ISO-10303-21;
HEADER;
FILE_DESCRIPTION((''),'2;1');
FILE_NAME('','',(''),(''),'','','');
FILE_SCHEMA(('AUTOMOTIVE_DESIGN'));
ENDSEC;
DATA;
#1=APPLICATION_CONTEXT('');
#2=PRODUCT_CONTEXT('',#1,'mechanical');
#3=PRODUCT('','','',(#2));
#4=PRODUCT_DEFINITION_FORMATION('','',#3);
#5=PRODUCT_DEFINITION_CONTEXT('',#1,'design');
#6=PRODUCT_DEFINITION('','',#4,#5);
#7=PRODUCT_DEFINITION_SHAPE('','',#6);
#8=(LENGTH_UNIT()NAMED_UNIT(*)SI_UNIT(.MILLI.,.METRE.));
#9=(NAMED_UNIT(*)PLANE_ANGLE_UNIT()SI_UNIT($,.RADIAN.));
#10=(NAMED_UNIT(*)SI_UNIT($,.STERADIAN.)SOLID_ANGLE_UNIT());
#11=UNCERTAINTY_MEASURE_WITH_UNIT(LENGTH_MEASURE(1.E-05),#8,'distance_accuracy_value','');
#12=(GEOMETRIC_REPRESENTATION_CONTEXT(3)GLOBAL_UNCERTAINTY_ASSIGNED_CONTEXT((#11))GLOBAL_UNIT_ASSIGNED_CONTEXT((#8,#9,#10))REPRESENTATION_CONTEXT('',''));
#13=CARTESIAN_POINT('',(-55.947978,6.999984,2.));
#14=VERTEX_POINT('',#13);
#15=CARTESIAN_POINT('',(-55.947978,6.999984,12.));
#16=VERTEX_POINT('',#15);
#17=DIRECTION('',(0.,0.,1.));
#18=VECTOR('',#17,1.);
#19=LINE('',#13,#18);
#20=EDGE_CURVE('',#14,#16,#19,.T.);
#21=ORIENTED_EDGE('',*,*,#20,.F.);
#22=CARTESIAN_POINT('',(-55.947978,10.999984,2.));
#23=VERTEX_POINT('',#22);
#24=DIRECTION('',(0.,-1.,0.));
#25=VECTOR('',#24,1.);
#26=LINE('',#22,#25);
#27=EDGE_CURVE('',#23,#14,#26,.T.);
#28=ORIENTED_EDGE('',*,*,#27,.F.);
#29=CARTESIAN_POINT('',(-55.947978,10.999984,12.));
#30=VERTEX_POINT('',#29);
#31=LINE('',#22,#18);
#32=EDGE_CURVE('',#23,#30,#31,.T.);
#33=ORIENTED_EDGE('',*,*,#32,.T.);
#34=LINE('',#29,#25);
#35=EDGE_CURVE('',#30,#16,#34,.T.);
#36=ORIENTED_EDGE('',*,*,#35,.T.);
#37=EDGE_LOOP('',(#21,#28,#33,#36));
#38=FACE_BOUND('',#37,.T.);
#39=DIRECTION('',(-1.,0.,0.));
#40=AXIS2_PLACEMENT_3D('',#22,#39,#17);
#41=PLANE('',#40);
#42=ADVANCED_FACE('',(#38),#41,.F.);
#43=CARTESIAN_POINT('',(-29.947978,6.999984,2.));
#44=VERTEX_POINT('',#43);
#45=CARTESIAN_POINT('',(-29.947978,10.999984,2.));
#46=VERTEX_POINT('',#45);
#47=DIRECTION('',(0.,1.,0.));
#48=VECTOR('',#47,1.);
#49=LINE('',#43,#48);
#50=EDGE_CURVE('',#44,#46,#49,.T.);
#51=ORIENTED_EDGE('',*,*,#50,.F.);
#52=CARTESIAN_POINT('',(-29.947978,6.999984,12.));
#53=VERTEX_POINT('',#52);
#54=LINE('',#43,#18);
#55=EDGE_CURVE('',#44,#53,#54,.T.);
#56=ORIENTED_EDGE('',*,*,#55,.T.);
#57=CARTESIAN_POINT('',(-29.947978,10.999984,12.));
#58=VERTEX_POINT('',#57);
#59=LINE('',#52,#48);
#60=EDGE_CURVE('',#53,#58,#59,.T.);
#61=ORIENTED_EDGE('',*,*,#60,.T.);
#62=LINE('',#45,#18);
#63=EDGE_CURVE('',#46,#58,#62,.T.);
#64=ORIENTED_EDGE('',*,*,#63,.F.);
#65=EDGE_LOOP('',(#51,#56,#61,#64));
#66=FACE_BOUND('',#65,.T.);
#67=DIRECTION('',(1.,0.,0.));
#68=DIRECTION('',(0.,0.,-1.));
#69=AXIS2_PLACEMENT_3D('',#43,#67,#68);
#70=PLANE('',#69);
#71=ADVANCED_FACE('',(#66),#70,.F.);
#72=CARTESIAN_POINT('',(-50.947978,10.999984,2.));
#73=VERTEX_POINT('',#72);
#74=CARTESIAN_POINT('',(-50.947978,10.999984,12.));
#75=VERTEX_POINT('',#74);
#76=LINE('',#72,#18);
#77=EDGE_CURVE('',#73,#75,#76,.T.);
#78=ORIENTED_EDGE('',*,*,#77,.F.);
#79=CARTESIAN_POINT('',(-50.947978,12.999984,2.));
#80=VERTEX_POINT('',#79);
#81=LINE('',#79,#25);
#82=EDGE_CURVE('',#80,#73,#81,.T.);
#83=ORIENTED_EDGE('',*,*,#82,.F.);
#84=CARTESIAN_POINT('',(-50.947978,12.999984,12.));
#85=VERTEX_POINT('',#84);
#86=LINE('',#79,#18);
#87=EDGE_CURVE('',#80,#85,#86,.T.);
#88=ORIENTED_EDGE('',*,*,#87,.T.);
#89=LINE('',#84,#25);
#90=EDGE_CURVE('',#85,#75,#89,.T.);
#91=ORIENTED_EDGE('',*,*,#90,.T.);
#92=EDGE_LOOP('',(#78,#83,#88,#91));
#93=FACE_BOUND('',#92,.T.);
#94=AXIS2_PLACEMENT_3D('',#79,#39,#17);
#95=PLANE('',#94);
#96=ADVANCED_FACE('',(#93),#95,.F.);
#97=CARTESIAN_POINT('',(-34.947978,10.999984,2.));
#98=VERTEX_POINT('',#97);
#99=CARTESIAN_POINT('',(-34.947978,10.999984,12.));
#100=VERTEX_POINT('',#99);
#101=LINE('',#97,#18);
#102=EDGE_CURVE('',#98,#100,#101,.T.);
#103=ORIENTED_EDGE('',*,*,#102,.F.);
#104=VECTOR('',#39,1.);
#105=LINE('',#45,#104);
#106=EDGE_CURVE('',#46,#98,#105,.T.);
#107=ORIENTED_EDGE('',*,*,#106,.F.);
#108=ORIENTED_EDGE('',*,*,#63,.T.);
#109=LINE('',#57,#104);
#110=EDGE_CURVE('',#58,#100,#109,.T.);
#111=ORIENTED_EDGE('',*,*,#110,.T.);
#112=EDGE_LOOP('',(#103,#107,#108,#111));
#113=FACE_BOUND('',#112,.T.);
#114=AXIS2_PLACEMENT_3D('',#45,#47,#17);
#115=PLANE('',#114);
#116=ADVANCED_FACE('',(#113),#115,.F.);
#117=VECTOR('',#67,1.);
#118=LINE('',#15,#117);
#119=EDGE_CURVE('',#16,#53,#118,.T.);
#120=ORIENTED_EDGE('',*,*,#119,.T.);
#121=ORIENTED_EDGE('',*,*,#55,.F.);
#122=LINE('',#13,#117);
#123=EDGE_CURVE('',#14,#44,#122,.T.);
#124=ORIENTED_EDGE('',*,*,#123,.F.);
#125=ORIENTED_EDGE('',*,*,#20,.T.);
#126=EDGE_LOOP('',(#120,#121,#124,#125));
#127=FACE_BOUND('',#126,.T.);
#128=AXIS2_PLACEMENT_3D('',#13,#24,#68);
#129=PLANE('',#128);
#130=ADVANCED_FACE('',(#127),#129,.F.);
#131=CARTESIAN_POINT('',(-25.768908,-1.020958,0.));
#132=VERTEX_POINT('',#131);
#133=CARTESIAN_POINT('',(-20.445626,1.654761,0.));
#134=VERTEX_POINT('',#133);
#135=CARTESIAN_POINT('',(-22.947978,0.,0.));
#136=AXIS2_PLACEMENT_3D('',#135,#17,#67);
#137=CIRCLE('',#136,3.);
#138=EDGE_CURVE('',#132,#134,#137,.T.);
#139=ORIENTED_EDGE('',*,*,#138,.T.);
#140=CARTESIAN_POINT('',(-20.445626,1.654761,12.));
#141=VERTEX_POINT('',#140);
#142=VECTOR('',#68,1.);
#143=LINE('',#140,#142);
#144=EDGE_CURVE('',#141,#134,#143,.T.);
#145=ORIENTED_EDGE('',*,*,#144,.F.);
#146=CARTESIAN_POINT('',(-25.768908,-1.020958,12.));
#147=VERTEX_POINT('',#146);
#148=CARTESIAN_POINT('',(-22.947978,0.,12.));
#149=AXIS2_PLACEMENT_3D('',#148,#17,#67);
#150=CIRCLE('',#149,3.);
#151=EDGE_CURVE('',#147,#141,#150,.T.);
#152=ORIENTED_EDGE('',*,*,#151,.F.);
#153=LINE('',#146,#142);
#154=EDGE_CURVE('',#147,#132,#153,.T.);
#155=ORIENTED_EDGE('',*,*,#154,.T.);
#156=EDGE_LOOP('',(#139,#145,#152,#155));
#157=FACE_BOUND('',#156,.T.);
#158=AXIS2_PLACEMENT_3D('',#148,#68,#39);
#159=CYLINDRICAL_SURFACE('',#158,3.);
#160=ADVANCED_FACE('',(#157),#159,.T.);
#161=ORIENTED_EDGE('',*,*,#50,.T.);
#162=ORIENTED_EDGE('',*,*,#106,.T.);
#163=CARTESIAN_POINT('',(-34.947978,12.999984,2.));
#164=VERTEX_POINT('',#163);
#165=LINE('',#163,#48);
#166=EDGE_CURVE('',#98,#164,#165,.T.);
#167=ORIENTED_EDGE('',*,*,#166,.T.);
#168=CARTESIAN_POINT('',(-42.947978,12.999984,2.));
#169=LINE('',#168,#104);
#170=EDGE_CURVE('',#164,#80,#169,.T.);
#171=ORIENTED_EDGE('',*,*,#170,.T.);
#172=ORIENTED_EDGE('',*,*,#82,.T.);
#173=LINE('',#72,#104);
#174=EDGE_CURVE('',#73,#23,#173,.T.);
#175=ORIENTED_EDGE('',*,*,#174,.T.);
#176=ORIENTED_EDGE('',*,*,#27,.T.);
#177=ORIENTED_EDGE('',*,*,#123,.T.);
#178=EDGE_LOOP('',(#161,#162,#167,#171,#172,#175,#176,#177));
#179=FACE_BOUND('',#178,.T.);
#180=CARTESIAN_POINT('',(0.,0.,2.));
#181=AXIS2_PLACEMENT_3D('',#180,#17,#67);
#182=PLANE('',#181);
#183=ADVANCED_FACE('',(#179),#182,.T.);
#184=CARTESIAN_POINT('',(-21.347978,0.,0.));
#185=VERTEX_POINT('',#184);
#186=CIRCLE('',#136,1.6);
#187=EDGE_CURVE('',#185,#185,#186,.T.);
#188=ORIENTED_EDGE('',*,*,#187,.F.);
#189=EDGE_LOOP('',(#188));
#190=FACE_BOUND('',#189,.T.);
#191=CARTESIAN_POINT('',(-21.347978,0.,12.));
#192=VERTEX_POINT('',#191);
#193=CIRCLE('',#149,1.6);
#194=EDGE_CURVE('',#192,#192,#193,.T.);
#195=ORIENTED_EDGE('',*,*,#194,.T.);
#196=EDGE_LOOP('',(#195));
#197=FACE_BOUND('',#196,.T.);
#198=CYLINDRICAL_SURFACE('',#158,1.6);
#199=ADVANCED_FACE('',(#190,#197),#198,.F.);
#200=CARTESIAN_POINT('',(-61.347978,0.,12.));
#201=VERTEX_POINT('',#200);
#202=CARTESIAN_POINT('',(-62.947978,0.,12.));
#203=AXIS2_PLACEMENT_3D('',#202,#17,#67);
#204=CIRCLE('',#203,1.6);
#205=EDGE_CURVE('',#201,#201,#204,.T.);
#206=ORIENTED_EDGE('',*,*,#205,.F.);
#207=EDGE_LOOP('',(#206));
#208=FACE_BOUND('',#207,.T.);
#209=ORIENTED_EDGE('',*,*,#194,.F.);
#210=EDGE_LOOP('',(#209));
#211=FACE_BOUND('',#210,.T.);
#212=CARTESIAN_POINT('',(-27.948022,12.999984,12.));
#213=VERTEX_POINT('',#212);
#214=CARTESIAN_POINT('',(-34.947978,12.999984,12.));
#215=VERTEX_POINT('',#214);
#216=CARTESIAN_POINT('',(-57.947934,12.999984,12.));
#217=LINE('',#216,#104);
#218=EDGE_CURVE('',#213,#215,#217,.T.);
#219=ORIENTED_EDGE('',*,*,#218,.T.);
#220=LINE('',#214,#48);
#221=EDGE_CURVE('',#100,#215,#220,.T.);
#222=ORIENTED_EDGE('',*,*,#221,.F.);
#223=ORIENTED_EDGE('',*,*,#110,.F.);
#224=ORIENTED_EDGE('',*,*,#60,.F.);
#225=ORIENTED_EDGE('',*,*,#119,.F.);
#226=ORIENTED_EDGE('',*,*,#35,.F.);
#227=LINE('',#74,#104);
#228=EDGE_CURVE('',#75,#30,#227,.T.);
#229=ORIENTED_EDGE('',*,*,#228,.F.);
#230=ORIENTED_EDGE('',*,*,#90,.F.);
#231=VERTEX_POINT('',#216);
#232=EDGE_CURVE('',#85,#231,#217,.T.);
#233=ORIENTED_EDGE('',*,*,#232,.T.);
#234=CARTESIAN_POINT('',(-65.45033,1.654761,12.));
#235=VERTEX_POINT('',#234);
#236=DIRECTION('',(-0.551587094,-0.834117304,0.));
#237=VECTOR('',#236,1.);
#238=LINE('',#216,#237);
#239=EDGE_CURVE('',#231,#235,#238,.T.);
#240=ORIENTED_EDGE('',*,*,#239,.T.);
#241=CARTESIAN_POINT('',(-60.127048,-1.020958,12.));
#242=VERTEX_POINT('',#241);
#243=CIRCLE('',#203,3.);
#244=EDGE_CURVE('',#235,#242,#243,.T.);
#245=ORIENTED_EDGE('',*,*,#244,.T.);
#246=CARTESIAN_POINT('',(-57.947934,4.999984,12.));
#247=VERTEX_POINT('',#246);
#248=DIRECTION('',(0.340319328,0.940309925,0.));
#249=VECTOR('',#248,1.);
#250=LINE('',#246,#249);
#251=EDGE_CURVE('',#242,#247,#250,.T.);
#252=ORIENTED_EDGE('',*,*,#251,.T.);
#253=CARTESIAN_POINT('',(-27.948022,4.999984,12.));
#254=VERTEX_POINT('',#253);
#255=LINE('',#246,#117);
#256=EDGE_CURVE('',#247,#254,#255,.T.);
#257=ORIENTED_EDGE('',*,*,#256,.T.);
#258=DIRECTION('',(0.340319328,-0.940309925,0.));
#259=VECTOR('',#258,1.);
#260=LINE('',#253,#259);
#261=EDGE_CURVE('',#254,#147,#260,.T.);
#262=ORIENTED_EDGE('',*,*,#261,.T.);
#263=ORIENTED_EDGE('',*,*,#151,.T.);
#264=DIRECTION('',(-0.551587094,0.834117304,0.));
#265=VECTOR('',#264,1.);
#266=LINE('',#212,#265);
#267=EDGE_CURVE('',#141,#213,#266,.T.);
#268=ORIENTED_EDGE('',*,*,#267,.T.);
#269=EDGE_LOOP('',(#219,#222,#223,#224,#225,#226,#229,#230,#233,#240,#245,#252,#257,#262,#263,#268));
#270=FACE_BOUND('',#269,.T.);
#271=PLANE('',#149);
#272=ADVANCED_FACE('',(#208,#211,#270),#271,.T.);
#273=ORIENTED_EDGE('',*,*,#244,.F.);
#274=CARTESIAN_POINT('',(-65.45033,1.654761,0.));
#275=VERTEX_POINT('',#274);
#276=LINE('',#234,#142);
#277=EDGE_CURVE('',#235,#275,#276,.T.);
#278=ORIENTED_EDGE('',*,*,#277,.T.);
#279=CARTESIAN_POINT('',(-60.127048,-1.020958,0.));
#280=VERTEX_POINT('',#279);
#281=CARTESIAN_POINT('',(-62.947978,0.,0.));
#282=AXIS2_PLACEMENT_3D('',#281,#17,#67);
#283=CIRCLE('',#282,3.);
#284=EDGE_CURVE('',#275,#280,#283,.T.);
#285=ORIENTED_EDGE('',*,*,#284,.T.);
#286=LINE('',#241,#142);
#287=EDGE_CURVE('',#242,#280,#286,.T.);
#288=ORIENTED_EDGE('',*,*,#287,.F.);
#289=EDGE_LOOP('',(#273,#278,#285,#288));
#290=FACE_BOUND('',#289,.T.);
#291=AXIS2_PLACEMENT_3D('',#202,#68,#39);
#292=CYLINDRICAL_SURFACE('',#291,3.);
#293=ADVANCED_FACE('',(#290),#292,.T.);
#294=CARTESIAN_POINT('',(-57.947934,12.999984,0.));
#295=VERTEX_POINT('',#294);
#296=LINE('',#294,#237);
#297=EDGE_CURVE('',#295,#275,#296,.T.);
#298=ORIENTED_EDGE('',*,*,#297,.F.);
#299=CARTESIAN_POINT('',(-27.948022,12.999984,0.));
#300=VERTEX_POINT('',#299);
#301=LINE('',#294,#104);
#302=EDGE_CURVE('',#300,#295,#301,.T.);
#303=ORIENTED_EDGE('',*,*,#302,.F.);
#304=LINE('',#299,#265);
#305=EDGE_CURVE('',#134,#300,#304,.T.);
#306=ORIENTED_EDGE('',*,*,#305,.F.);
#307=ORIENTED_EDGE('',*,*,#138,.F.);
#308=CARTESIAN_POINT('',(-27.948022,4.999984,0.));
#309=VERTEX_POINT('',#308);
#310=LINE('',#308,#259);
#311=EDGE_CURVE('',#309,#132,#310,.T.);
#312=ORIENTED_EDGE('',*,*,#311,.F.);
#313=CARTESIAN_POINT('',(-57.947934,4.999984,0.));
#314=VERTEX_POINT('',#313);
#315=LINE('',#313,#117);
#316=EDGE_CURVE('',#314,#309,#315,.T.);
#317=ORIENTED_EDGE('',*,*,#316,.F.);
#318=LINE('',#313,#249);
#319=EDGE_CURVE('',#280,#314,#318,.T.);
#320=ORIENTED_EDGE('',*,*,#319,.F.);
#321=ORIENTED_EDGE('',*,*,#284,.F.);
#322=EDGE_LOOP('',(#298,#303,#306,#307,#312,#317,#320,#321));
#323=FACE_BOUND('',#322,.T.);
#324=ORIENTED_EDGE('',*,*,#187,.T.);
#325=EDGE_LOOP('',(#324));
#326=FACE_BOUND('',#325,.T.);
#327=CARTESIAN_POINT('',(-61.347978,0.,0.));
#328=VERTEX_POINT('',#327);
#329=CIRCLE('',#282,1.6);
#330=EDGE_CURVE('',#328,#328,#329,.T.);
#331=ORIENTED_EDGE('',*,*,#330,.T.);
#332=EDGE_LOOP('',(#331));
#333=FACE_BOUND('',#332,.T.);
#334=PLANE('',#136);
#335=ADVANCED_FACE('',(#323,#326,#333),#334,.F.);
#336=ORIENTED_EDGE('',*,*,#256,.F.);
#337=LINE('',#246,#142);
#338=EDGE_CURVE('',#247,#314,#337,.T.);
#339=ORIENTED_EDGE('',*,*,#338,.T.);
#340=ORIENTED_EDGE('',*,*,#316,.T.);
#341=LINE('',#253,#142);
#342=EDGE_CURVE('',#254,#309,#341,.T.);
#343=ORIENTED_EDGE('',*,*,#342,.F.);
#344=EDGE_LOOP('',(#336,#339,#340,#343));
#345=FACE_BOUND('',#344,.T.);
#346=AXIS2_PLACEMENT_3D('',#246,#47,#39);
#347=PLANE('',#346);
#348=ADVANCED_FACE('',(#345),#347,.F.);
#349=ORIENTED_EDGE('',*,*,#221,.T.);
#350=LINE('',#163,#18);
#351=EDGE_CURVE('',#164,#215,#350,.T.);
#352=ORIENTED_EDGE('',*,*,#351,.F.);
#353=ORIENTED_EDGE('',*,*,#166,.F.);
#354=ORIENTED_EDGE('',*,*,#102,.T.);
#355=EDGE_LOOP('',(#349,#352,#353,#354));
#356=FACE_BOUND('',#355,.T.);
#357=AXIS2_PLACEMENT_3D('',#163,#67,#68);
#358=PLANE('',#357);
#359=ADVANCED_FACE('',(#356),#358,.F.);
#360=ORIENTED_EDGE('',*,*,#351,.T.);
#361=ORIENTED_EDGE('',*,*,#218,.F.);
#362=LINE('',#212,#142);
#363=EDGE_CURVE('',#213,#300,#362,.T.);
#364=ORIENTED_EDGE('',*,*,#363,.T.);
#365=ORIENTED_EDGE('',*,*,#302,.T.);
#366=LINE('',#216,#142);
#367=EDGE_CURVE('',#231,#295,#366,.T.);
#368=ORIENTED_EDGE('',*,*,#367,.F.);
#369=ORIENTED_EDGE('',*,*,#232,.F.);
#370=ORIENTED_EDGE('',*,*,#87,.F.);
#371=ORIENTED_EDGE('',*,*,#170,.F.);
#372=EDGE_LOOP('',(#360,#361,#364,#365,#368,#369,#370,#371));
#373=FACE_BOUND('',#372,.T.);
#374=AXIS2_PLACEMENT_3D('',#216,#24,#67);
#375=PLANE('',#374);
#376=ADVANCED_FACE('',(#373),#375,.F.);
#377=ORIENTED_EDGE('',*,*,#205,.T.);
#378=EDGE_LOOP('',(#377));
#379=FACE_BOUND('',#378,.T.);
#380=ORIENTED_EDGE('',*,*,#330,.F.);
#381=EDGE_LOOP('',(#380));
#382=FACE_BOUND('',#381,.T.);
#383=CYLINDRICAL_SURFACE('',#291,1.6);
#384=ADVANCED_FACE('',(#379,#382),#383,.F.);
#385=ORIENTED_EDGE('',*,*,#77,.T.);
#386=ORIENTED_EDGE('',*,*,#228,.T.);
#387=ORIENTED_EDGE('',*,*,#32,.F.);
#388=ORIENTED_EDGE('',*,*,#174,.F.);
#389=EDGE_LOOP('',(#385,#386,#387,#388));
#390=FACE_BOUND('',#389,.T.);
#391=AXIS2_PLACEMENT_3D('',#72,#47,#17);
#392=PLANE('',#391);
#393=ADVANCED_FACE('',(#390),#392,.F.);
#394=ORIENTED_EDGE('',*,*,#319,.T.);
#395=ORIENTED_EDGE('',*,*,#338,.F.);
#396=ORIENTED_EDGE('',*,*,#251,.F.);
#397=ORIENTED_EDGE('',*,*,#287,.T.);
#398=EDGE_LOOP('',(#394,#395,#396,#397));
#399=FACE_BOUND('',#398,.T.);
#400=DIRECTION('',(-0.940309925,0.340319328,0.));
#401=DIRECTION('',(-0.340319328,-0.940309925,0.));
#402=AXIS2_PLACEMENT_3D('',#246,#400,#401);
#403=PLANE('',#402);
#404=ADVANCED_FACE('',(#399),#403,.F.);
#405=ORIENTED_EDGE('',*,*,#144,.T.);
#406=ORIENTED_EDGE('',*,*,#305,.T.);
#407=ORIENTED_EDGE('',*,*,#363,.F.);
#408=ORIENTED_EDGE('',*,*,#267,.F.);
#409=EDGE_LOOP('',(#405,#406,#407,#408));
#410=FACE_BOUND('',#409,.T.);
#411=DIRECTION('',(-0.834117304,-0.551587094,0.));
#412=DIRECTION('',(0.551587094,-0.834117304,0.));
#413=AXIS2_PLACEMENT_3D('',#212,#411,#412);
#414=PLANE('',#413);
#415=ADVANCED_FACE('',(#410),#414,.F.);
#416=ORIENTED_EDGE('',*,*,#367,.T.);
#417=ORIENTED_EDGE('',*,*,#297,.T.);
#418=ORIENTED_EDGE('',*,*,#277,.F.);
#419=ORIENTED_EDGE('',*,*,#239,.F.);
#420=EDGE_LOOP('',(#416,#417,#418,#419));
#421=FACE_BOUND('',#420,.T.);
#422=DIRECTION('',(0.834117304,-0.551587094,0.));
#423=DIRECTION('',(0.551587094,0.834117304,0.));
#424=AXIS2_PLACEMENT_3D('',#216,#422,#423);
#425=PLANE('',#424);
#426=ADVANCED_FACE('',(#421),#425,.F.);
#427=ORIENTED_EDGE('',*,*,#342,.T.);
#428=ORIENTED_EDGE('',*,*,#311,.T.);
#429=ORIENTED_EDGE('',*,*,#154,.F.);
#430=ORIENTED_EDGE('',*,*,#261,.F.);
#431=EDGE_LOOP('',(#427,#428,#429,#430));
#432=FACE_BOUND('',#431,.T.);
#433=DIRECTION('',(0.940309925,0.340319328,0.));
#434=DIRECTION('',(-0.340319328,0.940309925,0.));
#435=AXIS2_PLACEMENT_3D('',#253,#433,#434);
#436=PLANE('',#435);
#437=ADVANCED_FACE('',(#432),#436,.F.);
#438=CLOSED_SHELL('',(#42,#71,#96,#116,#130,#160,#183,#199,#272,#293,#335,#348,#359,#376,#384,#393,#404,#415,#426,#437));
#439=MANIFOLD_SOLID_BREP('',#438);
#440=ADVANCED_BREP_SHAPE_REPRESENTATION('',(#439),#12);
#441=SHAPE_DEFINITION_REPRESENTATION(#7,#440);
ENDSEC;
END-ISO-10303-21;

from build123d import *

# Parameters (mm, degrees)
SKETCH_1_R          = 1.6
EXTRUDE_1_DEPTH     = 12
CUT_EXTRUDE_1_DEPTH = 10


with BuildPart() as part:
    # Эскиз1 → Бобышка-Вытянуть1 (new body)
    with BuildSketch(Plane.XY):
        with BuildLine():
            Line((-57.947933857, 4.999983999), (-27.948022281, 4.999983999))
            Line((-27.948022281, 4.999983999), (-25.768907845, -1.020957985))
            ThreePointArc((-25.768907845, -1.020957985), (-21.600669135, -2.680440009), (-20.445626155, 1.654761283))
            Line((-20.445626155, 1.654761283), (-27.948022281, 12.999984004))
            Line((-27.948022281, 12.999984004), (-57.947933857, 12.999984004))
            Line((-57.947933857, 12.999984004), (-65.450329983, 1.654761282))
            ThreePointArc((-65.450329983, 1.654761282), (-64.295287003, -2.680440008), (-60.127048295, -1.020957985))
            Line((-60.127048295, -1.020957985), (-57.947933857, 4.999983999))
        make_face()
        with Locations((-62.947978069, 0)):
            Circle(SKETCH_1_R, mode=Mode.SUBTRACT)
        with Locations((-22.947978069, 0)):
            Circle(SKETCH_1_R, mode=Mode.SUBTRACT)
    extrude(amount=EXTRUDE_1_DEPTH)

    # Эскиз2 → Вырез-Вытянуть1 (cut)
    with BuildSketch(Plane.XY.offset(12)):
        Polygon((-42.947978069, 12.999984004), (-34.947978069, 12.999984004), (-34.947978069, 10.999984004), (-29.947978069, 10.999984004), (-29.947978069, 6.999984004), (-55.947978069, 6.999984004), (-55.947978069, 10.999984004), (-50.947978069, 10.999984004), (-50.947978069, 12.999984004), align=None)
    extrude(amount=-CUT_EXTRUDE_1_DEPTH, mode=Mode.SUBTRACT)


solid = part.part
